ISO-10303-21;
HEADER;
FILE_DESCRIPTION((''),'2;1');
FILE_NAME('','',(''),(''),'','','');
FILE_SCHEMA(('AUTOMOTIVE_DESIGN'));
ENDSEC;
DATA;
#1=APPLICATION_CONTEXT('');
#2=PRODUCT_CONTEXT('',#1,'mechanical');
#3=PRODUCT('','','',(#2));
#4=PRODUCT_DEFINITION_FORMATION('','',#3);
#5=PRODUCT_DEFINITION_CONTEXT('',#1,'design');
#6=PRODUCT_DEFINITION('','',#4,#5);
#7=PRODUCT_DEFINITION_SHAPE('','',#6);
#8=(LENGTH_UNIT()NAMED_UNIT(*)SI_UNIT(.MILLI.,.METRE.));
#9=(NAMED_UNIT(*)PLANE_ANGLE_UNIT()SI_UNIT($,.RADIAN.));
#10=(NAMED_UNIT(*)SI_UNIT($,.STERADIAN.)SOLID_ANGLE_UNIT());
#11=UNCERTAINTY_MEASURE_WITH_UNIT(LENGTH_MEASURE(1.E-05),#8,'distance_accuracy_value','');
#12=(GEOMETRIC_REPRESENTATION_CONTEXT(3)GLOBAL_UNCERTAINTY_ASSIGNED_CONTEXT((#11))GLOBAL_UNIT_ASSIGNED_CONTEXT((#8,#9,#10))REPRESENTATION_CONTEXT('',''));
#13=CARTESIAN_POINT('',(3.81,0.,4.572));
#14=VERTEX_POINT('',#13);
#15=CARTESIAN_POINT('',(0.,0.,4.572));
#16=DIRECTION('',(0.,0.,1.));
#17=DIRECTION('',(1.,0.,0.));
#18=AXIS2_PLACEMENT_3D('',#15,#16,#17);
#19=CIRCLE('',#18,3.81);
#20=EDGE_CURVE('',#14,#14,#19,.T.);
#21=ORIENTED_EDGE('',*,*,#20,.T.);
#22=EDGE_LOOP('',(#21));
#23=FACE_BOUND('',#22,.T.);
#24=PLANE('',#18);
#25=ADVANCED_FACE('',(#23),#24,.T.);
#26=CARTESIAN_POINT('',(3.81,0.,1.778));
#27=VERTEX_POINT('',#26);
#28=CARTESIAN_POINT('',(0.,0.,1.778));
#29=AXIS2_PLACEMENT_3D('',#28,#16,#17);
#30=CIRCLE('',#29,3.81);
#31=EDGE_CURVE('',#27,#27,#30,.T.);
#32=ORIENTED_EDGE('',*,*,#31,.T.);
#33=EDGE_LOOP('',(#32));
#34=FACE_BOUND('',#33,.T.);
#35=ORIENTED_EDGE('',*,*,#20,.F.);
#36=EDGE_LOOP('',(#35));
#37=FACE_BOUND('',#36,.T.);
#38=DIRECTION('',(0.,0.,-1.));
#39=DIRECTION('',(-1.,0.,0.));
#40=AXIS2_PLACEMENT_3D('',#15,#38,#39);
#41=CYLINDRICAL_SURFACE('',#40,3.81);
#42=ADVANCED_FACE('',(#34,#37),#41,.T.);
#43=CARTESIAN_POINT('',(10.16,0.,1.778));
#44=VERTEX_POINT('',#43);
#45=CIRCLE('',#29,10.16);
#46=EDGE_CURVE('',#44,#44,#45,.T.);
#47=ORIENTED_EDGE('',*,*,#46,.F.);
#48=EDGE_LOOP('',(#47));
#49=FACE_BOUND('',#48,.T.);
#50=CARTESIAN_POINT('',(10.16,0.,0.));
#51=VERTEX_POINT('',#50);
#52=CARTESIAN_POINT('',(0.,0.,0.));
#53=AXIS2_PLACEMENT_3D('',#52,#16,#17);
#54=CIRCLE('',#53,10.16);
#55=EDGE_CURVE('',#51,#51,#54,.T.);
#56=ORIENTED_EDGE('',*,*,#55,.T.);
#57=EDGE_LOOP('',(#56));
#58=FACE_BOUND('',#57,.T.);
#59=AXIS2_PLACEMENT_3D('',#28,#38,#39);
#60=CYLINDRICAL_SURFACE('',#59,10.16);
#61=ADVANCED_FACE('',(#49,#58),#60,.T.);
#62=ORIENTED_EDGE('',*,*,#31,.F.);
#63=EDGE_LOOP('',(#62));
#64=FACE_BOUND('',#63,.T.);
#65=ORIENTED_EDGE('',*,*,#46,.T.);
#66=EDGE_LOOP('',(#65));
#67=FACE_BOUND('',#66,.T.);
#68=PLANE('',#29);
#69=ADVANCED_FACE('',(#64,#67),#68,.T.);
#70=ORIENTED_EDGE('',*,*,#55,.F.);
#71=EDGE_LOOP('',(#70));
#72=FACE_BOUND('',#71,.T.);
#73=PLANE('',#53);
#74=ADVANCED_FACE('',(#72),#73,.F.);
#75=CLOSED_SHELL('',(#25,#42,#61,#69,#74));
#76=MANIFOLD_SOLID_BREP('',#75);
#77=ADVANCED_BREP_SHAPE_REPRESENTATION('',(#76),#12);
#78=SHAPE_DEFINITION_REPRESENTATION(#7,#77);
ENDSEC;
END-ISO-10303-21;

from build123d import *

# Parameters (mm, degrees)
SKETCH2_R           = 10.16
SKETCH2_R_2         = 3.81
BOSS_EXTRUDE1_DEPTH = 1.778
SKETCH2_3_R         = 10.16
SKETCH2_3_R_2       = 3.81
BOSS_EXTRUDE2_DEPTH = 1.778
SKETCH2_4_R         = 3.81
BOSS_EXTRUDE3_DEPTH = 4.572


with BuildPart() as part:
    # Sketch2 → Boss-Extrude1 (new body)
    with BuildSketch(Plane.XY):
        Circle(SKETCH2_R)
        Circle(SKETCH2_R_2, mode=Mode.SUBTRACT)
    extrude(amount=BOSS_EXTRUDE1_DEPTH)

    # Sketch2<3> → Boss-Extrude2 (add)
    with BuildSketch(Plane.XY):
        Circle(SKETCH2_3_R)
        Circle(SKETCH2_3_R_2, mode=Mode.SUBTRACT)
    extrude(amount=BOSS_EXTRUDE2_DEPTH)

    # Sketch2<4> → Boss-Extrude3 (add)
    with BuildSketch(Plane.XY):
        Circle(SKETCH2_4_R)
    extrude(amount=BOSS_EXTRUDE3_DEPTH)


solid = part.part
